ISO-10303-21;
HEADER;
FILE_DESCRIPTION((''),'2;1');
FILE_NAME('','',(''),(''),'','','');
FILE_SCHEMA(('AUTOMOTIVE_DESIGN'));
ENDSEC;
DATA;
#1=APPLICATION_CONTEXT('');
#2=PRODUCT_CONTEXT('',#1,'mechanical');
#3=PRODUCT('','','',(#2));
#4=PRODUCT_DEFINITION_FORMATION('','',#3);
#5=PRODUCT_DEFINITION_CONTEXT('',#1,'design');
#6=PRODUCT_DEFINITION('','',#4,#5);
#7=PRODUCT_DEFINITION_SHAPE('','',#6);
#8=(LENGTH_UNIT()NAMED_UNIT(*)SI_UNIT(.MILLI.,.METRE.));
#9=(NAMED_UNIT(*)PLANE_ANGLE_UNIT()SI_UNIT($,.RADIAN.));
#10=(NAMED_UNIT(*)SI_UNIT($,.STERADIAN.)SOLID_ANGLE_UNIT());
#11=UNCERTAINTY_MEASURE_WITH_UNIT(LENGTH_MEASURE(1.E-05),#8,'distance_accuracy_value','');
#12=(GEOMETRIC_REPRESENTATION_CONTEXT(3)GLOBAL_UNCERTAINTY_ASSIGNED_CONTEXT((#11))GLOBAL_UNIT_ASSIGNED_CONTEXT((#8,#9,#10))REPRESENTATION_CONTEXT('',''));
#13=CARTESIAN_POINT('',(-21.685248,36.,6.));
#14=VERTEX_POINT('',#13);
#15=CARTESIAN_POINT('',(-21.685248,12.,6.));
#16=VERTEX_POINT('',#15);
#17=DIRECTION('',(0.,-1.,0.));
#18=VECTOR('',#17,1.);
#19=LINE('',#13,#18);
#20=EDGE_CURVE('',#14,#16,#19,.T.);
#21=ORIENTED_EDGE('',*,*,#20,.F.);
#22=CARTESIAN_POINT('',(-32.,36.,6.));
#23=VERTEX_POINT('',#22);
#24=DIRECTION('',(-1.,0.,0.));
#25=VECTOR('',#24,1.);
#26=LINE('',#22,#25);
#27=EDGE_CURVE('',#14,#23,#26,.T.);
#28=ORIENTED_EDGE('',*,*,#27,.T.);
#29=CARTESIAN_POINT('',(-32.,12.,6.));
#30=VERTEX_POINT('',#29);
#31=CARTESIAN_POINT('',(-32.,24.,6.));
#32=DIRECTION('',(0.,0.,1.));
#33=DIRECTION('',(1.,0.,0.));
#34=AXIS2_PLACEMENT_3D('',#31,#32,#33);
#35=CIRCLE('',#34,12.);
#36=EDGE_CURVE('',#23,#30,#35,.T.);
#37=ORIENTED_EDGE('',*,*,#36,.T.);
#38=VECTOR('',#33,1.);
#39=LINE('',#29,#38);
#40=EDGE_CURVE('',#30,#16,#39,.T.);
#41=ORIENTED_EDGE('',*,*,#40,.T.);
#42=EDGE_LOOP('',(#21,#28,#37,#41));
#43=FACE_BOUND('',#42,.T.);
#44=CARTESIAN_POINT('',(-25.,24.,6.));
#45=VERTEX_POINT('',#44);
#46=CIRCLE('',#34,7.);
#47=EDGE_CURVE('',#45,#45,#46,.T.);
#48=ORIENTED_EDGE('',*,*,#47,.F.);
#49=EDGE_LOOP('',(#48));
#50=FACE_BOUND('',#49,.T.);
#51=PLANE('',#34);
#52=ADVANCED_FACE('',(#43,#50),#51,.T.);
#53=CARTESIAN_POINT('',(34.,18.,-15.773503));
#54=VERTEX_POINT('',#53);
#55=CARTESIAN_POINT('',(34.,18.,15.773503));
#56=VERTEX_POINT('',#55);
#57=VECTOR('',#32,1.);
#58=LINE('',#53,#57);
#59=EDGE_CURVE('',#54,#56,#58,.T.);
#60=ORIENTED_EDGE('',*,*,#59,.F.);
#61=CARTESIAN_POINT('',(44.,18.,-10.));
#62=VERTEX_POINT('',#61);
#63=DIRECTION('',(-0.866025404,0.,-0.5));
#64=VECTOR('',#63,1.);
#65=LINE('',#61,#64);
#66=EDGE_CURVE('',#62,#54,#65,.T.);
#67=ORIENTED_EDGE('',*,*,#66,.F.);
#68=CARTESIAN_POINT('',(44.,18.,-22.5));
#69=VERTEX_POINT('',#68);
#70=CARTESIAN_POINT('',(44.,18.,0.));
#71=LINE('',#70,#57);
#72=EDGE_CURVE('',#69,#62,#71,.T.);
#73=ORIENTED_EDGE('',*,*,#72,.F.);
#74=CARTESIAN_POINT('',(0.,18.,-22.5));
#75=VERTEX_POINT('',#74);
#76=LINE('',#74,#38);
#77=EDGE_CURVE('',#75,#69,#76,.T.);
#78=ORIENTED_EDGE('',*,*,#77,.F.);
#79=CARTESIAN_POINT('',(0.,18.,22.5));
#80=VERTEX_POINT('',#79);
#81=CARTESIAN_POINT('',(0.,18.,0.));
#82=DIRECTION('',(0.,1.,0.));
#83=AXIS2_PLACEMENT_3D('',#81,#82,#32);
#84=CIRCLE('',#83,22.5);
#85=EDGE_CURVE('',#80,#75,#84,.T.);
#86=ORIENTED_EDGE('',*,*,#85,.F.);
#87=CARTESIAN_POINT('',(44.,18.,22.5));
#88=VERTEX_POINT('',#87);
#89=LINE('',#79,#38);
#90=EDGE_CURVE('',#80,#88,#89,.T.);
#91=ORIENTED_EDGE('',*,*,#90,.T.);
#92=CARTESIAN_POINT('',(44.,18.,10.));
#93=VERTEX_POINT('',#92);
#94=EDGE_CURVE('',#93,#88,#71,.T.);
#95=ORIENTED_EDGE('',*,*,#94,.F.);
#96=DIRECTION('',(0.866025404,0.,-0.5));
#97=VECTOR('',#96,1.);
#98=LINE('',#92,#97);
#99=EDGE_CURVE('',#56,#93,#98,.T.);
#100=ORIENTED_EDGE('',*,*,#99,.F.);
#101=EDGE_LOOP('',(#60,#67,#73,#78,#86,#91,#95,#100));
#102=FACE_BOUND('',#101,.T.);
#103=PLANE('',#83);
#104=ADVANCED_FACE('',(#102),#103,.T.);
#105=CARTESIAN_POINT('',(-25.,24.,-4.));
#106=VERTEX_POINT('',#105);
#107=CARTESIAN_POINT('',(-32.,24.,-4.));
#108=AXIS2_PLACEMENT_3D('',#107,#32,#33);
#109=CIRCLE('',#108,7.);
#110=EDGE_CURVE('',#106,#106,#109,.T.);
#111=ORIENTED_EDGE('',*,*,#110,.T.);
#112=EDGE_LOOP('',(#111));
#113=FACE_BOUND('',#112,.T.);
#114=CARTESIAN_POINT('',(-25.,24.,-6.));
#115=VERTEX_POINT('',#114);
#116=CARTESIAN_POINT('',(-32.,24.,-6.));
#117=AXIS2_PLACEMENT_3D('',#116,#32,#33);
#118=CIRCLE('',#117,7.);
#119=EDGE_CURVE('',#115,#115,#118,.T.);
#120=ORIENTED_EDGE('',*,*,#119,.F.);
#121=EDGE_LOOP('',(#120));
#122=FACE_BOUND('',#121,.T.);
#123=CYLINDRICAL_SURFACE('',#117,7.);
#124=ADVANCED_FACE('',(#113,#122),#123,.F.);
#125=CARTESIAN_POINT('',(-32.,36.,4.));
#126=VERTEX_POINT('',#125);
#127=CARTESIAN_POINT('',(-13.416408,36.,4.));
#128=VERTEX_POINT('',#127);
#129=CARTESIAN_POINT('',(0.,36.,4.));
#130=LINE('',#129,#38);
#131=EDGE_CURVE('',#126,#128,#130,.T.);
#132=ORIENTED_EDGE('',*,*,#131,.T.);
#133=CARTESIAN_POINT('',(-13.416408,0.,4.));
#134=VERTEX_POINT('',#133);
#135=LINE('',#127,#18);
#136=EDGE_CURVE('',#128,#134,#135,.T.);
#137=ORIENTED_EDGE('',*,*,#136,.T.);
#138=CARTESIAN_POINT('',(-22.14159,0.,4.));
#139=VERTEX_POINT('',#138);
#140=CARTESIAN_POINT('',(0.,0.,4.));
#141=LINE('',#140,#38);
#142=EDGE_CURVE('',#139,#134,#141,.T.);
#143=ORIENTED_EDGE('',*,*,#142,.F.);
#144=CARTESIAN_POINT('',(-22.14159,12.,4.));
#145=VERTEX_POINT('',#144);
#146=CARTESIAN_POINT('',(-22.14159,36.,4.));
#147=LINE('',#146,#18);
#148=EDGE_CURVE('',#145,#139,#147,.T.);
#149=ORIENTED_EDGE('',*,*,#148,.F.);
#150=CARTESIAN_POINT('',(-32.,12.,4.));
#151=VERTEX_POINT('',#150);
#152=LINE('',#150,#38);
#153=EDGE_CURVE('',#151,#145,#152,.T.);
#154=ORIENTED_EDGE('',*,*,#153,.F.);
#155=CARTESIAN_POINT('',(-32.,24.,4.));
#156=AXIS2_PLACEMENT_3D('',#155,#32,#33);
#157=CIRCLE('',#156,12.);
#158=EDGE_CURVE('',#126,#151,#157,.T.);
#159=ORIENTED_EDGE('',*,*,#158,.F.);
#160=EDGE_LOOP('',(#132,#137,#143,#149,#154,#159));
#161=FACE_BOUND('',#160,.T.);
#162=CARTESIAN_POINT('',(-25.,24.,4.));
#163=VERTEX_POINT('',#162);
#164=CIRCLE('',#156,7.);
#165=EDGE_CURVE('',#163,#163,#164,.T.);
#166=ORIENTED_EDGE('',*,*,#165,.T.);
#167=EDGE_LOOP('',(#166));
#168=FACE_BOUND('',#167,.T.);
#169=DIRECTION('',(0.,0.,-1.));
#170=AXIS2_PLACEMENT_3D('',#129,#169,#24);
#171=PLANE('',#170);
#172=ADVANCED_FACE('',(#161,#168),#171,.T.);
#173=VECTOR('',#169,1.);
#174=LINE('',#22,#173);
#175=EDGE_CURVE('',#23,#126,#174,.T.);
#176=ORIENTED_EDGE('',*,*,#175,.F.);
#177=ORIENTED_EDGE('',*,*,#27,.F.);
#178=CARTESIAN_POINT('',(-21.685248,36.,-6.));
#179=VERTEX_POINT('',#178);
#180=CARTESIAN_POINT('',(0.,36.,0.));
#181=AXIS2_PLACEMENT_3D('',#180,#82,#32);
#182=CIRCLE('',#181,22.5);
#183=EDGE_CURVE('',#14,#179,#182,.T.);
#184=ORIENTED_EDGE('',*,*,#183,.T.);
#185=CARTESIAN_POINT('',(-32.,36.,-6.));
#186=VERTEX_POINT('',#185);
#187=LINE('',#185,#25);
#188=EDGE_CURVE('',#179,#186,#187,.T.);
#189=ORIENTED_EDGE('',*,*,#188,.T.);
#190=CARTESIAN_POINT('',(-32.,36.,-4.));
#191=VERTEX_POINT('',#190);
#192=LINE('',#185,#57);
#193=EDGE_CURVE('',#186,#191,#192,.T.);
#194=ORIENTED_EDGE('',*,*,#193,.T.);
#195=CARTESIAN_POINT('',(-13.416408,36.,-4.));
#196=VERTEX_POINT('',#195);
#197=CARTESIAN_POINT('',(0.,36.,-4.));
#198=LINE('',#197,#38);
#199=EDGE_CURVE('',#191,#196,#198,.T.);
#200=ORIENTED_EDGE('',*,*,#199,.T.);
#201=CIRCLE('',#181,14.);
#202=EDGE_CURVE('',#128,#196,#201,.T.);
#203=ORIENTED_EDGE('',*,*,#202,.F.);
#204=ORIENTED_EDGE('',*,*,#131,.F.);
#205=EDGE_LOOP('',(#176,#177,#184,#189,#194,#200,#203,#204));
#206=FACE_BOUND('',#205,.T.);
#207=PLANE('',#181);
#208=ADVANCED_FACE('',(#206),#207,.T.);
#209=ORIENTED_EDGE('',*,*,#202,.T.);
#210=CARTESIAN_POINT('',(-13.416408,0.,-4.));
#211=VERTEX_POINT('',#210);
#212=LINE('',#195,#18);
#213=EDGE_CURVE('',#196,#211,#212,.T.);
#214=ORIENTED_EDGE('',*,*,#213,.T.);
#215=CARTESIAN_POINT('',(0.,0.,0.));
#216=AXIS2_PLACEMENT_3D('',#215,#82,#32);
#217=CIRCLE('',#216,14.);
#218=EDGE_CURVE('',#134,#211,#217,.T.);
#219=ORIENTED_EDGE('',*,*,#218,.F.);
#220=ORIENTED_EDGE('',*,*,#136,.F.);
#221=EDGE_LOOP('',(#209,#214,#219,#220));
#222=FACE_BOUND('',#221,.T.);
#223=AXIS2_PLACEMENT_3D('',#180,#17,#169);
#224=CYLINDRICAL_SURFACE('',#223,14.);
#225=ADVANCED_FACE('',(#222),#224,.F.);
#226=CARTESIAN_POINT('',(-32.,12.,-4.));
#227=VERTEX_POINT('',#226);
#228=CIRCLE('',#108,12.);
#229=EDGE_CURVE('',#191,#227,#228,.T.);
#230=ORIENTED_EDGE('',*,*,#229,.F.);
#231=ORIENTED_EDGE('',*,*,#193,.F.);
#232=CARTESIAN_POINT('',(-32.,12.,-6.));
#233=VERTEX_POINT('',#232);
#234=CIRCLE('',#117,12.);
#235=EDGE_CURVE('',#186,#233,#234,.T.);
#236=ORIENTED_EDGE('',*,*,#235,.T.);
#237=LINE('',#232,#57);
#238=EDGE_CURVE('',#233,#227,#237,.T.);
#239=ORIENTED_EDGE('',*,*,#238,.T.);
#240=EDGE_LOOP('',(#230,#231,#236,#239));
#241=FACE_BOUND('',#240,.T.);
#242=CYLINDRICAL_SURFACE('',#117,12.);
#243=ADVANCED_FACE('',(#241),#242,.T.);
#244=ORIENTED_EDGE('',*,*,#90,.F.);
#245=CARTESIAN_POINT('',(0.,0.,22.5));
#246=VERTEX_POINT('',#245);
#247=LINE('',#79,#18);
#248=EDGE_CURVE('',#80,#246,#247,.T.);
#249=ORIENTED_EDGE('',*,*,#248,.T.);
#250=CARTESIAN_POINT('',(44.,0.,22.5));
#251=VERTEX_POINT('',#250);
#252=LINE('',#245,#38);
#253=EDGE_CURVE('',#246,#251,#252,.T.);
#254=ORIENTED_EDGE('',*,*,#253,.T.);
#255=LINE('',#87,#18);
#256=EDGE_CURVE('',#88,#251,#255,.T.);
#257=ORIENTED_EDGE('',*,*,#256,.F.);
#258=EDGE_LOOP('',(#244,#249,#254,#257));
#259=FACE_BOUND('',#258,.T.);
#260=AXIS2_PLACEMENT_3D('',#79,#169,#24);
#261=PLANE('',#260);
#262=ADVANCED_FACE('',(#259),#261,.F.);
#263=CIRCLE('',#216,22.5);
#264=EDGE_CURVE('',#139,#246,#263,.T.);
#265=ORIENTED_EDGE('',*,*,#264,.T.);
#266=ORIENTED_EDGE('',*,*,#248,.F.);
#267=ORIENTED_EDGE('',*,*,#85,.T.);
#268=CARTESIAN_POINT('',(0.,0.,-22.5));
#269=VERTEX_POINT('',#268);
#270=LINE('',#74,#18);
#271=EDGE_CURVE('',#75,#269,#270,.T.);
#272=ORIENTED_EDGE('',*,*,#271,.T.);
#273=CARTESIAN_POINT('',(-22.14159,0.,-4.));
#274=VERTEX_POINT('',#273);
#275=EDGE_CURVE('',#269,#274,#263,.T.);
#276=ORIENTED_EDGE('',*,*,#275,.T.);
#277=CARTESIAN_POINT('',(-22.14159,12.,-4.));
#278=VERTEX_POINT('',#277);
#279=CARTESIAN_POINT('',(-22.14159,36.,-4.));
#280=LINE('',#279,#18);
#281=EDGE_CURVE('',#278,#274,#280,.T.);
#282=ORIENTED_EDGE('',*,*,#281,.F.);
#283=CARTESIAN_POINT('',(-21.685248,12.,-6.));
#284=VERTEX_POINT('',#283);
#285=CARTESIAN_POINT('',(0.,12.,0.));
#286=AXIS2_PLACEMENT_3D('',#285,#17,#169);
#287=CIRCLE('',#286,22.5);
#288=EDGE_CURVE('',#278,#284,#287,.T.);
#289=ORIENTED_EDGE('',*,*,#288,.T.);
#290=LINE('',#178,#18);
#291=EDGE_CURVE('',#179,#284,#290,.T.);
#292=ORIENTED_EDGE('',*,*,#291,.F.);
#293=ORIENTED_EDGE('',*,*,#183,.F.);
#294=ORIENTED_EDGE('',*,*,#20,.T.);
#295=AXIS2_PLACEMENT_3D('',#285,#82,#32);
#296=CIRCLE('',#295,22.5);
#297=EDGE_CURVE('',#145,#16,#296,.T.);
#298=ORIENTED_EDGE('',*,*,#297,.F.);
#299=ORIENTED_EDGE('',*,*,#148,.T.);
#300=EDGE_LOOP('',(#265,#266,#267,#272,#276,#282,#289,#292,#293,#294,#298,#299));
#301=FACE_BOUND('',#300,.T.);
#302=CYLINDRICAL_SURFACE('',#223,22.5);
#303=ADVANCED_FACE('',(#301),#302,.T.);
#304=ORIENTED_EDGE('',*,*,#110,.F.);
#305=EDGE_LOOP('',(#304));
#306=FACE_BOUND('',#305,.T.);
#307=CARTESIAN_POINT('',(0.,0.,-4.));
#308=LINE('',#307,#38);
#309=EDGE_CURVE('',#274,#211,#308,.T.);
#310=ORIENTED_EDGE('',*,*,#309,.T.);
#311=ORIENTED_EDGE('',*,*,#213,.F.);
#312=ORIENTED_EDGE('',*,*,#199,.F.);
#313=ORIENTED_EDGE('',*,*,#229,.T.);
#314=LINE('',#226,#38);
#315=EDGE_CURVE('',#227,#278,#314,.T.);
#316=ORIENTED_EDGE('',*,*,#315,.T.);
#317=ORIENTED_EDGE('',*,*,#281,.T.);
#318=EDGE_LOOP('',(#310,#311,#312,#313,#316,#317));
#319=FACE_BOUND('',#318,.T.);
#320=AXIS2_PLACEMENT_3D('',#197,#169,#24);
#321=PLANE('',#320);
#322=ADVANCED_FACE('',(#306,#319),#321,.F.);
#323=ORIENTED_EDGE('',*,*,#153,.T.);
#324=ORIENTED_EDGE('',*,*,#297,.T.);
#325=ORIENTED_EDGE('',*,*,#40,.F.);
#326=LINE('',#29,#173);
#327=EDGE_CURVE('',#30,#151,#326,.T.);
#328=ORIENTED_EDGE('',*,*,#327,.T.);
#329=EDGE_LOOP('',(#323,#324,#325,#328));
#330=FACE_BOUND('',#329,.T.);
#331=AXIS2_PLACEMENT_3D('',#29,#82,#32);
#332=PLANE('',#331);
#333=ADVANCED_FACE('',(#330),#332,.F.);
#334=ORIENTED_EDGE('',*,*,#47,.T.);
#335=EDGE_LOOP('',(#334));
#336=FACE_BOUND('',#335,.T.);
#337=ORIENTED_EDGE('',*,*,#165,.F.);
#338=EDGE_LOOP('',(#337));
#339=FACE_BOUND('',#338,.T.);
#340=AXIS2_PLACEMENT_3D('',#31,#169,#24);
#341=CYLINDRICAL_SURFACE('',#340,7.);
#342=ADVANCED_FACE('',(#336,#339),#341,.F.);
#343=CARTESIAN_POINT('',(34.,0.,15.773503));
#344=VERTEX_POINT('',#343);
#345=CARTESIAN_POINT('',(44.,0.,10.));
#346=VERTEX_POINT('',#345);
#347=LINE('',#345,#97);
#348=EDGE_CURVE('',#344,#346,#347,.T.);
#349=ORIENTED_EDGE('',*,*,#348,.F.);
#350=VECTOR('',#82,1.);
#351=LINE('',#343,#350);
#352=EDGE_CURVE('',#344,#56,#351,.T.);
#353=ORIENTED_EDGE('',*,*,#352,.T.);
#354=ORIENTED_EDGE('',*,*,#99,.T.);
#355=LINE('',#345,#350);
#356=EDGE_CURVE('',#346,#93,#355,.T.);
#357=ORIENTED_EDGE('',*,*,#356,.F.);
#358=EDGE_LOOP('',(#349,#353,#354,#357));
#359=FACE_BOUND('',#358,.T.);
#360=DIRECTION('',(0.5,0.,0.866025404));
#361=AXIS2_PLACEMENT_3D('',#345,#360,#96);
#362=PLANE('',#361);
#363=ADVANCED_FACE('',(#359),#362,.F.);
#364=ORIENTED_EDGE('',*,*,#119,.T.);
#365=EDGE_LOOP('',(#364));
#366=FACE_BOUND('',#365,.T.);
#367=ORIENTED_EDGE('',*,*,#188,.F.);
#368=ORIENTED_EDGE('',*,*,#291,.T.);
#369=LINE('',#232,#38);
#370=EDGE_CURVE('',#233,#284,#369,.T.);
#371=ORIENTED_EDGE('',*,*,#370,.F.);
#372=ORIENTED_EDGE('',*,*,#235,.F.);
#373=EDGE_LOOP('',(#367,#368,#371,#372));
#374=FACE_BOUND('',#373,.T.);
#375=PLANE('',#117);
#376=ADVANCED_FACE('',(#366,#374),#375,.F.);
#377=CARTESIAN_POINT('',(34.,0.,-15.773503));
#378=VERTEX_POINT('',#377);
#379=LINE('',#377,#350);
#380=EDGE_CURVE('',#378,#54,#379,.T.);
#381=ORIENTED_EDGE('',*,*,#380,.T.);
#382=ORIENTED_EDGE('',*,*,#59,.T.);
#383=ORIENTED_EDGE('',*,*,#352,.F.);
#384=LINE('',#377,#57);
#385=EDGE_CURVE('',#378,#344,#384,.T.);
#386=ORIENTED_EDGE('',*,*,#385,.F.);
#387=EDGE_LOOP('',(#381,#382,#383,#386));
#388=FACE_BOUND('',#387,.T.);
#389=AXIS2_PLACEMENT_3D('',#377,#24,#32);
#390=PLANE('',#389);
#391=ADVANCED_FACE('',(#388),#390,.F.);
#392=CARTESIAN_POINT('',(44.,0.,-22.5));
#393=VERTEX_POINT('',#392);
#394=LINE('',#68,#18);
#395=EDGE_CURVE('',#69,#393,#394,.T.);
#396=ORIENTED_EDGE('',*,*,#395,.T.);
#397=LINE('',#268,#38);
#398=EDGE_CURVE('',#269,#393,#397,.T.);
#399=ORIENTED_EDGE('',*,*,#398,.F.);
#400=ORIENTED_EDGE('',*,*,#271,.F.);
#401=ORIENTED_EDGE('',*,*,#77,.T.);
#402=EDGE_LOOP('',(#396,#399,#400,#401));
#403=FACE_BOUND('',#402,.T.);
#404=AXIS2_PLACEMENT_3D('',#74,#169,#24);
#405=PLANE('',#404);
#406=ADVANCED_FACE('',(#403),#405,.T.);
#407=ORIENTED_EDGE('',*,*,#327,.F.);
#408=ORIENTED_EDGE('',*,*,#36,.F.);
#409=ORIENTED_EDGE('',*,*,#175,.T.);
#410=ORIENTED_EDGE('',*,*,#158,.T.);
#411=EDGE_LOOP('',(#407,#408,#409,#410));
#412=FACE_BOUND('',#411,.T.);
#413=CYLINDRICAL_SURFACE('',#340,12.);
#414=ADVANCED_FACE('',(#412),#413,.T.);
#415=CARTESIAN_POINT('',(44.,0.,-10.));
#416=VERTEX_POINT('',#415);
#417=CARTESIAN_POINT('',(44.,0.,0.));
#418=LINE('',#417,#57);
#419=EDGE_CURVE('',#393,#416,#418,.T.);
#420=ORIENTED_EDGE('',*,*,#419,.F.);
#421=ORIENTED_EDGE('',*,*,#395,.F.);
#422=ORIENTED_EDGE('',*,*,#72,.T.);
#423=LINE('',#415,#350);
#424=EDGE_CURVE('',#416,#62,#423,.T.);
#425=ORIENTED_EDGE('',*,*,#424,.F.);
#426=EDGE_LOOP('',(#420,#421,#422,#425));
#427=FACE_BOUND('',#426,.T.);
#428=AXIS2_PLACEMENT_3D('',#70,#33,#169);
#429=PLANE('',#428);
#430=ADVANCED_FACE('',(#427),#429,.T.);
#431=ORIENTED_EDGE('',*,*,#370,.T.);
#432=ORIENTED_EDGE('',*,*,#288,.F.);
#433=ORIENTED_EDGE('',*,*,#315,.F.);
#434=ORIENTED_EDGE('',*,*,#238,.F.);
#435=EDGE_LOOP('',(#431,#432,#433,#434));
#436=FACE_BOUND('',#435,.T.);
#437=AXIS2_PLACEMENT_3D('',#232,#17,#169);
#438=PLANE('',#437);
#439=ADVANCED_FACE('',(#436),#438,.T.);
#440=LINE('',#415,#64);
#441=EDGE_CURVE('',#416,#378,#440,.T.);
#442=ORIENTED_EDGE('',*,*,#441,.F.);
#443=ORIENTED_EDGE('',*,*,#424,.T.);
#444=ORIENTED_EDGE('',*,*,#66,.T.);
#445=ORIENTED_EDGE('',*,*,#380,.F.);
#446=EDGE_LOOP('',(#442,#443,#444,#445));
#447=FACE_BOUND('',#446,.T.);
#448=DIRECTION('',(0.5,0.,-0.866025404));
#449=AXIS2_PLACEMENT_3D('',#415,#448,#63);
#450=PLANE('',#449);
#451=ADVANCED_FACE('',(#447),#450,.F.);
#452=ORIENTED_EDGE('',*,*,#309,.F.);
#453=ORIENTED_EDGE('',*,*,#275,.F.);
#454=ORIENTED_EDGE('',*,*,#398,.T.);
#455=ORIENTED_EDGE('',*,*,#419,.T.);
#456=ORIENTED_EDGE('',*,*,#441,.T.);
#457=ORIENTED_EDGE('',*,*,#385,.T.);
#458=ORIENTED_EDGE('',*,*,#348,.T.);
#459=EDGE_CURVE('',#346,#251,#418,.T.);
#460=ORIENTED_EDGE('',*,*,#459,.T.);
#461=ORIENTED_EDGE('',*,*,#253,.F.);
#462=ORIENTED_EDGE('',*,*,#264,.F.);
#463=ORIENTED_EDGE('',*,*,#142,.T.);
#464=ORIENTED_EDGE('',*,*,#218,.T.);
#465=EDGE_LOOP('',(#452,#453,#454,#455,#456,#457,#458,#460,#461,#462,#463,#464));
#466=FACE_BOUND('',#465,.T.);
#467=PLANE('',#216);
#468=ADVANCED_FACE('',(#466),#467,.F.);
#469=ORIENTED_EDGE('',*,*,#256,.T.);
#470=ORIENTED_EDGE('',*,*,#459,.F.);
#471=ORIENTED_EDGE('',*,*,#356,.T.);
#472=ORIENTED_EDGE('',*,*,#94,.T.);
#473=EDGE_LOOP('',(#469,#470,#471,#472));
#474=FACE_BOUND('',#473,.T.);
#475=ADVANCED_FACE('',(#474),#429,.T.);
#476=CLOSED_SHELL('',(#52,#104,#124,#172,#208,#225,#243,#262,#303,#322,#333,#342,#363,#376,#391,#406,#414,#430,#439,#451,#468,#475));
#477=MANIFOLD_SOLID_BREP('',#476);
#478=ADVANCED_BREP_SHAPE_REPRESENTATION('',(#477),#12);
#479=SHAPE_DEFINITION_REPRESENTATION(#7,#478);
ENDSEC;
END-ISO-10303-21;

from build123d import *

# Parameters (mm, degrees)
EXTRUDE_1_DEPTH     = 36
EXTRUDE_2_DEPTH     = 18
EXTRUDE_START       = 4
SKETCH_3_R          = 7
EXTRUDE_3_DEPTH     = 2
EXTRUDE_START_2     = -6
SKETCH_3_2_R        = 7
EXTRUDE_4_DEPTH     = 2
CUT_EXTRUDE_1_DEPTH = 53.595151868


with BuildPart() as part:
    # 草图1 → 凸台-拉伸1 (new body)
    with BuildSketch(Plane(origin=(0, 0, 0), x_dir=(1, 0, 0), z_dir=(0, 1, 0))):
        with BuildLine():
            ThreePointArc((0, 22.5), (-14.426538046, 17.26629665), (-22.141589825, 4))
            Line((-22.141589825, 4), (-13.416407865, 4))
            ThreePointArc((-13.416407865, 4), (14, 0), (-13.416407865, -4))
            Line((-13.416407865, -4), (-22.141589825, -4))
            ThreePointArc((-22.141589825, -4), (-14.426538046, -17.26629665), (0, -22.5))
            ThreePointArc((0, -22.5), (22.5, 0), (0, 22.5))
        make_face()
    extrude(amount=EXTRUDE_1_DEPTH)

    # 草图1<3> → 凸台-拉伸2 (add)
    with BuildSketch(Plane(origin=(0, 0, 0), x_dir=(1, 0, 0), z_dir=(0, 1, 0))):
        with BuildLine():
            Line((44, 22.5), (0, 22.5))
            ThreePointArc((0, 22.5), (22.5, 0), (0, -22.5))
            Line((0, -22.5), (44, -22.5))
            Line((44, -22.5), (44, 22.5))
        make_face()
    extrude(amount=EXTRUDE_2_DEPTH)

    # 草图3 → 凸台-拉伸3 (add)
    with BuildSketch(Plane.XY.offset(EXTRUDE_START)):
        with BuildLine():
            Line((-32, 36), (-21.239733593, 36))
            Line((-21.239733593, 36), (-21.239733593, 12))
            Line((-21.239733593, 12), (-32, 12))
            ThreePointArc((-32, 12), (-44, 24), (-32, 36))
        make_face()
        with Locations((-32, 24)):
            Circle(SKETCH_3_R, mode=Mode.SUBTRACT)
    extrude(amount=EXTRUDE_3_DEPTH)

    # 草图3<2> → 凸台-拉伸4 (add)
    with BuildSketch(Plane.XY.offset(EXTRUDE_START_2)):
        with BuildLine():
            Line((-32, 36), (-21.239733593, 36))
            Line((-21.239733593, 36), (-21.239733593, 12))
            Line((-21.239733593, 12), (-32, 12))
            ThreePointArc((-32, 12), (-44, 24), (-32, 36))
        make_face()
        with Locations((-32, 24)):
            Circle(SKETCH_3_2_R, mode=Mode.SUBTRACT)
    extrude(amount=EXTRUDE_4_DEPTH)

    # 草图4 → 切除-拉伸1 (cut, through all)
    with BuildSketch(Plane(origin=(0, 18, 0), x_dir=(1, 0, 0), z_dir=(0, 1, 0))):
        Polygon((44, 10), (34, 15.773502692), (34, -15.773502692), (44, -10), align=None)
    extrude(amount=-CUT_EXTRUDE_1_DEPTH, mode=Mode.SUBTRACT)


solid = part.part
